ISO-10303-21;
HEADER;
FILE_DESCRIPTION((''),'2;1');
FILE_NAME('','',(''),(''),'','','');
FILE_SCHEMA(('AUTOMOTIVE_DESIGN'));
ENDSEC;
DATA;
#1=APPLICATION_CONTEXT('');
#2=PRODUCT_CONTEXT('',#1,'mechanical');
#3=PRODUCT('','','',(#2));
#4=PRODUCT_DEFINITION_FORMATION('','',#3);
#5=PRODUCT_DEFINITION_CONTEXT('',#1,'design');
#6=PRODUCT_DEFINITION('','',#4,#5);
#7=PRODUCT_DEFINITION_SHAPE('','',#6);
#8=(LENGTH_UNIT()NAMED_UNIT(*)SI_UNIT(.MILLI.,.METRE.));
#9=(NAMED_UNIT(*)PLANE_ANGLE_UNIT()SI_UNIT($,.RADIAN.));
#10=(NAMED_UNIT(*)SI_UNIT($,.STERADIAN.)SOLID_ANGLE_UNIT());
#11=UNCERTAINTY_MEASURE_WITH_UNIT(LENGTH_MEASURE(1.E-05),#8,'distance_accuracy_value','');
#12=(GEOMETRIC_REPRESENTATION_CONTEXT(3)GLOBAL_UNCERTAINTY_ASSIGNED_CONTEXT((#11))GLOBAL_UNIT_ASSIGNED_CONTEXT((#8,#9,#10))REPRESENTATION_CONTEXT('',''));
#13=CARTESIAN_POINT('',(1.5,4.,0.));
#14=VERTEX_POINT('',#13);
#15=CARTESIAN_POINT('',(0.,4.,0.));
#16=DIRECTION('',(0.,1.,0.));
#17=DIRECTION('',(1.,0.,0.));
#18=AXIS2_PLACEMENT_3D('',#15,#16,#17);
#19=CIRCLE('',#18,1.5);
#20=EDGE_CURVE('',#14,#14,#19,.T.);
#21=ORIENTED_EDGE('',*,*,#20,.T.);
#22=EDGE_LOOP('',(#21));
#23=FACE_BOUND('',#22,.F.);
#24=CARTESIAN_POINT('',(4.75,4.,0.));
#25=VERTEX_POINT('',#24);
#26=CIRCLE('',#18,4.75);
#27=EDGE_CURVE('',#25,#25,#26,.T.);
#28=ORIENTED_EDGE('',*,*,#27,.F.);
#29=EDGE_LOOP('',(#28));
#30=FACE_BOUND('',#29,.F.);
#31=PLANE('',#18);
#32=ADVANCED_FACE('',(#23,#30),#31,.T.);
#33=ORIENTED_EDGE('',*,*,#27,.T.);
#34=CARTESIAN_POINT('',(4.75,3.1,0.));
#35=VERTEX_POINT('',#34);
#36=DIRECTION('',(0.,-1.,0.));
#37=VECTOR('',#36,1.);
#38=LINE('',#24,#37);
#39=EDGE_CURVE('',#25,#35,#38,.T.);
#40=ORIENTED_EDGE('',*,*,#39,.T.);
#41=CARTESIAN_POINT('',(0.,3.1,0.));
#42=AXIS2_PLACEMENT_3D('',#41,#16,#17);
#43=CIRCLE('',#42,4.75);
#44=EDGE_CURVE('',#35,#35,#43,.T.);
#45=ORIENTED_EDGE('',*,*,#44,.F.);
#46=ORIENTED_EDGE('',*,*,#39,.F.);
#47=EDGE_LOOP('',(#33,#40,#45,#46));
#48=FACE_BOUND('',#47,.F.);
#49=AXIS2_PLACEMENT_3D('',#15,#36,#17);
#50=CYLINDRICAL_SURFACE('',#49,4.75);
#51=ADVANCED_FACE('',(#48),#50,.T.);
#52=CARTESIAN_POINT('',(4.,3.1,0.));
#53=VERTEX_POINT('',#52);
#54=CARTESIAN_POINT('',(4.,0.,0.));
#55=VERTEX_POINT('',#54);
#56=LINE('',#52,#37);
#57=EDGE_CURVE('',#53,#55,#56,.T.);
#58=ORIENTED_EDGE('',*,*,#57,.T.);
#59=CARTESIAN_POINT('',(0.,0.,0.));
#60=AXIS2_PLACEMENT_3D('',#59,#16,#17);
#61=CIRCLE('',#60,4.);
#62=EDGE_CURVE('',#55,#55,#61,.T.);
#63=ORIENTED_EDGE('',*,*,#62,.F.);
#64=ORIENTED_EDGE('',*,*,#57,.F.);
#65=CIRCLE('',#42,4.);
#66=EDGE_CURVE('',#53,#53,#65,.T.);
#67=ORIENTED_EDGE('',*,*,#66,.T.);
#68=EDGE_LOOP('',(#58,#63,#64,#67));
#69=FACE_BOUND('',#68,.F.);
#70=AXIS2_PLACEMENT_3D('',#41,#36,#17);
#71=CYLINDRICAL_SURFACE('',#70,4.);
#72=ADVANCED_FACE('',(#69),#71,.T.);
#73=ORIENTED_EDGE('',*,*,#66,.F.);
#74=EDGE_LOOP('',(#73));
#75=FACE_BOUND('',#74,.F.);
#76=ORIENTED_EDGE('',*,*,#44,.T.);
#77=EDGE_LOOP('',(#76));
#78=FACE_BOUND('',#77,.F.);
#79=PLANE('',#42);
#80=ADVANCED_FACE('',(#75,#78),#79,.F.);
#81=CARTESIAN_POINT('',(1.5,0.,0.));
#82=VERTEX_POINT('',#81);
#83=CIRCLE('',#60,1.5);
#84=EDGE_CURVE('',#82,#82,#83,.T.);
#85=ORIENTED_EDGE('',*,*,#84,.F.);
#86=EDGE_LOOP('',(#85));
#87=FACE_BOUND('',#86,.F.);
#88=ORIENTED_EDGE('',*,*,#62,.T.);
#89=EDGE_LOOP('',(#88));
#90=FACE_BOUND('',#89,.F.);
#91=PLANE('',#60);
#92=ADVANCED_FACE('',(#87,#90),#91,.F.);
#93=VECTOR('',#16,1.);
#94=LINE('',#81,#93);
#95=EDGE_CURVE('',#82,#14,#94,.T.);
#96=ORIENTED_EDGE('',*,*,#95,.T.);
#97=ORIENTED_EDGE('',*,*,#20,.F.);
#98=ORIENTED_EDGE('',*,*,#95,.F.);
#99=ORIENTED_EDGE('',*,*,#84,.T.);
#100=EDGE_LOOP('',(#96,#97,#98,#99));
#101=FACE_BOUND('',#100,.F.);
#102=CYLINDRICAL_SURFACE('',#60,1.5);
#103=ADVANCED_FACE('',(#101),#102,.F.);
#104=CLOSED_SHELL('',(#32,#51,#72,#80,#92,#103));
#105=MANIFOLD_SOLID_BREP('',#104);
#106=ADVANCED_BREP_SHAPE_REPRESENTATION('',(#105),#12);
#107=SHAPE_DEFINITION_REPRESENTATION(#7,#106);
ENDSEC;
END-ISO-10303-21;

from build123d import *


with BuildPart() as part:
    # 草图1 → 旋转1 (revolve)
    with BuildSketch(Plane.XY):
        Polygon((1.5, 4), (4.75, 4), (4.75, 3.1), (4, 3.1), (4, 0), (1.5, 0), align=None)
    revolve(axis=Axis((0, 0, 0), (0, 1, 0)))


solid = part.part
